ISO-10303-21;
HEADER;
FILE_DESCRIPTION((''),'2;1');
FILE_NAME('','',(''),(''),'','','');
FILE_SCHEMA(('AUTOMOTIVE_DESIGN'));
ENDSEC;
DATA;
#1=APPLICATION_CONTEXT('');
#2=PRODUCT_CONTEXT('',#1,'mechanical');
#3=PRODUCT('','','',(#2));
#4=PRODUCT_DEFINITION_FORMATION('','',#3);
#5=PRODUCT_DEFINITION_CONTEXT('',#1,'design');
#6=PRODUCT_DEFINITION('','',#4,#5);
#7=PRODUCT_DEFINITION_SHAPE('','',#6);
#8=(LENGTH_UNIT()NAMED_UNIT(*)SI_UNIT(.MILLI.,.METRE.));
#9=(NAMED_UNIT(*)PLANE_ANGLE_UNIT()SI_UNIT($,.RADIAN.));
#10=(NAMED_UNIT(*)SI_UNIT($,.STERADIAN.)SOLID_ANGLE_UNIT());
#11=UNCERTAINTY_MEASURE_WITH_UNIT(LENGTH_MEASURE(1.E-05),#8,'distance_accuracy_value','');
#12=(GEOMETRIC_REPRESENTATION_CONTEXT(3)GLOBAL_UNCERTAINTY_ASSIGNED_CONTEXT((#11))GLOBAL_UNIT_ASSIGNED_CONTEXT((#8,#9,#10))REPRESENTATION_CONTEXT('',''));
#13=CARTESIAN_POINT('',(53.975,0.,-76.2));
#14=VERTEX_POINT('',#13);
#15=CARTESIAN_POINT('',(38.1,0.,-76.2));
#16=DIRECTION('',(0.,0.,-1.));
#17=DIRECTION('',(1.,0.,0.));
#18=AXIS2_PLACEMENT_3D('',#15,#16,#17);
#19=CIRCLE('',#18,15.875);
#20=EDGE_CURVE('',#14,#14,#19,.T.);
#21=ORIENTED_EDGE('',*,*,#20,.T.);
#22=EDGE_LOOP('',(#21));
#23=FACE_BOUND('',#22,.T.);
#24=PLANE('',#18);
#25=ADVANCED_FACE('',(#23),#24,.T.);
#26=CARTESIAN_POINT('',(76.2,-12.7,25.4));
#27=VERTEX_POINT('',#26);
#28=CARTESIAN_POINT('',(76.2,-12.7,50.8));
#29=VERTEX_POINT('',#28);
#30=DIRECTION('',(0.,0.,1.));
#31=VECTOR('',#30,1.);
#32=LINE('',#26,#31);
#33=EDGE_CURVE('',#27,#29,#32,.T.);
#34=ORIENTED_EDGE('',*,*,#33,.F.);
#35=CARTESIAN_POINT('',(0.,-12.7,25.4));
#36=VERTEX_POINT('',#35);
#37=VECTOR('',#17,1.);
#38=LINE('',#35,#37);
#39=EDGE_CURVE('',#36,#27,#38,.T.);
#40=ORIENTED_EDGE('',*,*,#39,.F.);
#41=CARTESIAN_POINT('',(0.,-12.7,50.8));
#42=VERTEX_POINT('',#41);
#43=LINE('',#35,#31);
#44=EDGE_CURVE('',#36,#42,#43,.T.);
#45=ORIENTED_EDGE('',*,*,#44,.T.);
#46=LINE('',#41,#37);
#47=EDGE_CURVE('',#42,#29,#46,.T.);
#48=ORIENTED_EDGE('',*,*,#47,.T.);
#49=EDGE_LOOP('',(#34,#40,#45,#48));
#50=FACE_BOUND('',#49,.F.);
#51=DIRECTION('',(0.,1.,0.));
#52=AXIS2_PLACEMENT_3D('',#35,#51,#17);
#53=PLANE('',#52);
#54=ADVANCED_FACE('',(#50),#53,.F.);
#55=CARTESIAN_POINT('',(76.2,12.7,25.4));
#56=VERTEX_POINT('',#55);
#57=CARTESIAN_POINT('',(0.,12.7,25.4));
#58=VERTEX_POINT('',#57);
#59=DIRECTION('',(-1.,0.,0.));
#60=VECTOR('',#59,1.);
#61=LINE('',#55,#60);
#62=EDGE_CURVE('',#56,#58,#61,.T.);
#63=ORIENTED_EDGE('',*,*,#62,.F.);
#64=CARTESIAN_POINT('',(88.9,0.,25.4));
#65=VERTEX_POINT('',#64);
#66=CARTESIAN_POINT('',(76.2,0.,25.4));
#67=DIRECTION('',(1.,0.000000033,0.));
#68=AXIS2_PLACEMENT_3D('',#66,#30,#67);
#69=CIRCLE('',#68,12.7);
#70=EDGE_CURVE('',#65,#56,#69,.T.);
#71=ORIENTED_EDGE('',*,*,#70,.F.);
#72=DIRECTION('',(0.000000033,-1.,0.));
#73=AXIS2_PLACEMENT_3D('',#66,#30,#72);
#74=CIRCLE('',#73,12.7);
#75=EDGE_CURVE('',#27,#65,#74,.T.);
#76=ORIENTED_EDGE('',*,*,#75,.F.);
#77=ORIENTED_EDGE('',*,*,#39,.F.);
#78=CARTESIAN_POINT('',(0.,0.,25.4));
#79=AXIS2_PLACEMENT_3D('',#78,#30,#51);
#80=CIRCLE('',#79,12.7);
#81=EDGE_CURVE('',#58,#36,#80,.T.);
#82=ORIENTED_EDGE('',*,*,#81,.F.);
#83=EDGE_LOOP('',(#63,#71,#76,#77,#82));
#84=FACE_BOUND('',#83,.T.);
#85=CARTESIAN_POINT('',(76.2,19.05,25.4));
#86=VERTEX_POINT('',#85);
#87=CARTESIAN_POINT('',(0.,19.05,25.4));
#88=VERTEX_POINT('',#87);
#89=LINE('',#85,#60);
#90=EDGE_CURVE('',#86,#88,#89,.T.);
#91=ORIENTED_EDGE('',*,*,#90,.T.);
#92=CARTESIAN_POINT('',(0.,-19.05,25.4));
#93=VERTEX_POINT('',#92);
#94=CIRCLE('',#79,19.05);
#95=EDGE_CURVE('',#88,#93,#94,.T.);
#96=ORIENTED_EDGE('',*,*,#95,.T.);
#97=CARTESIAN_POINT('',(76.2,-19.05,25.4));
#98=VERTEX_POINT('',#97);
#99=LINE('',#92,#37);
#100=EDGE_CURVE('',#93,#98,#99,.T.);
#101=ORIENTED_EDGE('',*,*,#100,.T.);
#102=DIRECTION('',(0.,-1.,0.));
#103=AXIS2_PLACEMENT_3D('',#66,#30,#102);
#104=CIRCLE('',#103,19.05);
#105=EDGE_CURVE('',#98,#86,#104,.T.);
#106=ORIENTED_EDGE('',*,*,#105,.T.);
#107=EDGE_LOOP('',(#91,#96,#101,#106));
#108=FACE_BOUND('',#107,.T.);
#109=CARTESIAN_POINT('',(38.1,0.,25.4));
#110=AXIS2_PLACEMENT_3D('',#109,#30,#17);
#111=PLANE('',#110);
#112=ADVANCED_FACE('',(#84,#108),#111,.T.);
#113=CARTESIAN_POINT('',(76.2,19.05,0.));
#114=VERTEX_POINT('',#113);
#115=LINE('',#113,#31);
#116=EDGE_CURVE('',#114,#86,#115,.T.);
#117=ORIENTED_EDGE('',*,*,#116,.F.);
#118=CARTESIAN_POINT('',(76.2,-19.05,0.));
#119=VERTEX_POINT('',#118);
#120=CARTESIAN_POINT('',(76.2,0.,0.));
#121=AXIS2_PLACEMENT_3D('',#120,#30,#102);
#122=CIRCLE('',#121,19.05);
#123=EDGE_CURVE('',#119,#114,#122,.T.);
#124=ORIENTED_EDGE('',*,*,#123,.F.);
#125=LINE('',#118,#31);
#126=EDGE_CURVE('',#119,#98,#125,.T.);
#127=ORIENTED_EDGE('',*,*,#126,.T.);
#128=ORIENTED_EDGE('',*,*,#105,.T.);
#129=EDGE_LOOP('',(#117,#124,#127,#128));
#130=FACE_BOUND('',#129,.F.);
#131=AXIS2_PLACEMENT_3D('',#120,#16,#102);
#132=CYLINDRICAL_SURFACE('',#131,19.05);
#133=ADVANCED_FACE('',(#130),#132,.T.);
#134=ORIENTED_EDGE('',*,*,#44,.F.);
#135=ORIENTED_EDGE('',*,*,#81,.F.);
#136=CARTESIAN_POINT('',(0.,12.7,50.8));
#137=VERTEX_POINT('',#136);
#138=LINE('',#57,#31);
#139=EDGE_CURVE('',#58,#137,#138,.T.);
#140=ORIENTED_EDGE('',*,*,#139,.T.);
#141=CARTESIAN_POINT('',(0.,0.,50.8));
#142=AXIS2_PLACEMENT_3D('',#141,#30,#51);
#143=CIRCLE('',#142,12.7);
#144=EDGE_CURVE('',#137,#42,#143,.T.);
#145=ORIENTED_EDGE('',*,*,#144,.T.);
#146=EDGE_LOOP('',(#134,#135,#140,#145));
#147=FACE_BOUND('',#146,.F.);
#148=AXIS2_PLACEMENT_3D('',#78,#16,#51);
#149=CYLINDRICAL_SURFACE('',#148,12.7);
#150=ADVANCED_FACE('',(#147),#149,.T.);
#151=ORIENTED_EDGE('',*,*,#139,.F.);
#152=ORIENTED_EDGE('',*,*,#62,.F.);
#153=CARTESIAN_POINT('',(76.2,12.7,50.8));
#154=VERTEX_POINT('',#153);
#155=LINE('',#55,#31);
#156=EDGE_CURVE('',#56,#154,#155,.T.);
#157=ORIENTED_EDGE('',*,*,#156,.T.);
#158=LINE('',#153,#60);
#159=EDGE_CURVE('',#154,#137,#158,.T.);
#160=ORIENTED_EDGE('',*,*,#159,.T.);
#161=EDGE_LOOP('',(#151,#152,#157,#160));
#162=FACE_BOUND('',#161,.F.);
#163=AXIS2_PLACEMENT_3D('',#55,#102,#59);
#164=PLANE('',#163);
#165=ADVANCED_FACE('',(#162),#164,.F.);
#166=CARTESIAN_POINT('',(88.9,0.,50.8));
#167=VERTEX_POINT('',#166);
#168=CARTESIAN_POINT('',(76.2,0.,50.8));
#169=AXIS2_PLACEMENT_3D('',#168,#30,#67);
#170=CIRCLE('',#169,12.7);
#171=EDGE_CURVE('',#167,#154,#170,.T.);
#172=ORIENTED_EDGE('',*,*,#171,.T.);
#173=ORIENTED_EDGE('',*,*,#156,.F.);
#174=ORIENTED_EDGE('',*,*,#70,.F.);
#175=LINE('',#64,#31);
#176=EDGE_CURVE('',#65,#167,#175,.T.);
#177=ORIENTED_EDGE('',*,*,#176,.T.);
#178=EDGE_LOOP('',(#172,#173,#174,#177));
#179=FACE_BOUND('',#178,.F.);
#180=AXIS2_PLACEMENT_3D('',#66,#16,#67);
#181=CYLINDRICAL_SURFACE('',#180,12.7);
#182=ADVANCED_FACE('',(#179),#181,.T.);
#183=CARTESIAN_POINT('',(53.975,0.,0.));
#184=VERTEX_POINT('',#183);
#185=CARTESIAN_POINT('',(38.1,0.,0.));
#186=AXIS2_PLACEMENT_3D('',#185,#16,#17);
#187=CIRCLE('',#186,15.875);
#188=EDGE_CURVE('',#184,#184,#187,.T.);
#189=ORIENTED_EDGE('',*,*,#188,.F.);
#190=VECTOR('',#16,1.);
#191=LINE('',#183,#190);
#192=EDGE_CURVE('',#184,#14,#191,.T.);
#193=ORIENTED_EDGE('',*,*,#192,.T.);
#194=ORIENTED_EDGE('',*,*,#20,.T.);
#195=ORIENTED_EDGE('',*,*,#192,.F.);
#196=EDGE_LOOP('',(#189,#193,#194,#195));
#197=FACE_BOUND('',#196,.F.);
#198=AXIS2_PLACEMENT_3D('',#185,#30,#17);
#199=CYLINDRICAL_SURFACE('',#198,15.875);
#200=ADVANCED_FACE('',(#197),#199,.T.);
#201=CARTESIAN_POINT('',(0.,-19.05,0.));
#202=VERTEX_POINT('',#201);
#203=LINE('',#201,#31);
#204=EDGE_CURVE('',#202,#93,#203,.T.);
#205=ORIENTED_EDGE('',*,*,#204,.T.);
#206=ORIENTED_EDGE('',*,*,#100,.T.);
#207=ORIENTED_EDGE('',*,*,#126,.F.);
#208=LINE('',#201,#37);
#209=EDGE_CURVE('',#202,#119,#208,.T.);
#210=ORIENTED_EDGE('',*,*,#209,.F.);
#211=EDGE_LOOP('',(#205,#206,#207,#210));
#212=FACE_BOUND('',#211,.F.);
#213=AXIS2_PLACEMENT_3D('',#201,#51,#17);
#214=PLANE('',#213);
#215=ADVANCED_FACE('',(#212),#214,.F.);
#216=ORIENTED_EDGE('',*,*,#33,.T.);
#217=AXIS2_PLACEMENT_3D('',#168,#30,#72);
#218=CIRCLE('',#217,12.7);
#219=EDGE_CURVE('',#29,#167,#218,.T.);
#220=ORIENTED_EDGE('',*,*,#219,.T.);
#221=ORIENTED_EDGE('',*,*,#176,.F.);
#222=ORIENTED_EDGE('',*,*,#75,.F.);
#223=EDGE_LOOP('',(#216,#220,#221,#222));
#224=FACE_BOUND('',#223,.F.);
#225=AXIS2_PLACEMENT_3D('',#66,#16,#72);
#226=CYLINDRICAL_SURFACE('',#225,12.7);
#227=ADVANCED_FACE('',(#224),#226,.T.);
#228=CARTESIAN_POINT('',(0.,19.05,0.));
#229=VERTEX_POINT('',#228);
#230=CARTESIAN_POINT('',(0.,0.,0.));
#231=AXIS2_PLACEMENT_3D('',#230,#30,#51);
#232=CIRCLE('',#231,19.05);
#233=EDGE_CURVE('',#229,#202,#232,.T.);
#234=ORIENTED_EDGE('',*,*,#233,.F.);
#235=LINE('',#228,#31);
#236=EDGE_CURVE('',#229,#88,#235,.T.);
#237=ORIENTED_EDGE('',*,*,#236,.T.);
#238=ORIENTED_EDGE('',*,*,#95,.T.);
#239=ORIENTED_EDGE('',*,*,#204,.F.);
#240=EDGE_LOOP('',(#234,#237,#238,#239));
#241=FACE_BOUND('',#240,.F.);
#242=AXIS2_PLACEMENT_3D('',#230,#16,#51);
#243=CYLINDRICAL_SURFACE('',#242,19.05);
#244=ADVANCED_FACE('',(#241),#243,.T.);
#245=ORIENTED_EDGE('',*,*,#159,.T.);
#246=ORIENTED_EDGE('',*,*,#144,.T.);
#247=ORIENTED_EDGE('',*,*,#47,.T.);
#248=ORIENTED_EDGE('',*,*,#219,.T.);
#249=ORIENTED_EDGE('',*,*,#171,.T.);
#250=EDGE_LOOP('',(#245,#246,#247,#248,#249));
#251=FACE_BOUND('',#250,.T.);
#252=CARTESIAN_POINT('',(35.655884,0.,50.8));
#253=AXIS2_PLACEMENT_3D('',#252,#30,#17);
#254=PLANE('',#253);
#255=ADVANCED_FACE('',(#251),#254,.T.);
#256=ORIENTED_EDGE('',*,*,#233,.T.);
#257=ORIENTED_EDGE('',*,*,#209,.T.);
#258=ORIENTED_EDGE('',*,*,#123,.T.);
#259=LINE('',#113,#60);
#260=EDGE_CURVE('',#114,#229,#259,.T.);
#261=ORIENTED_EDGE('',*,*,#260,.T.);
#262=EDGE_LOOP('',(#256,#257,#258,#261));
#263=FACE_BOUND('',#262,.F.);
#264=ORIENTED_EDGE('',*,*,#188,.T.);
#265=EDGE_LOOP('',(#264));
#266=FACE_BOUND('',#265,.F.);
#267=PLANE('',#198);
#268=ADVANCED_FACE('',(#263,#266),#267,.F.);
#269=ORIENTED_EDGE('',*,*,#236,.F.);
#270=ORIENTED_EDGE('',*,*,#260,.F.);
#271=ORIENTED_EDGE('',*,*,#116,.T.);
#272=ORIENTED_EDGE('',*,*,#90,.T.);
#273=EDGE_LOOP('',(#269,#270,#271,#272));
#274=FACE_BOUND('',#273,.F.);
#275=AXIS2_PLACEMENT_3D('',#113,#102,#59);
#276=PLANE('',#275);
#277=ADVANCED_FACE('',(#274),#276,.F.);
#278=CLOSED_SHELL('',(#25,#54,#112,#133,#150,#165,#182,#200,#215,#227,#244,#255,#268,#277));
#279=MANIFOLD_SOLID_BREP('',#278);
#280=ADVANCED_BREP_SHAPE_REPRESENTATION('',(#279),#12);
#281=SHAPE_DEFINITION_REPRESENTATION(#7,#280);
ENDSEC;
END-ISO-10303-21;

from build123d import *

# Parameters (mm, degrees)
F1_DEPTH = 25.4
F3_DEPTH = 25.4
F4_R     = 15.875
F5_DEPTH = 76.2


with BuildPart() as f1:
    # F0 (on Top) → F1 (new body)
    with BuildSketch(Plane.XY):
        with BuildLine():
            Line((76.2, 19.05), (0, 19.05))
            ThreePointArc((0, 19.05), (-19.05, 0), (0, -19.05))
            Line((0, -19.05), (76.2, -19.05))
            ThreePointArc((76.2, -19.05), (95.25, 0), (76.2, 19.05))
        make_face()
    extrude(amount=F1_DEPTH)

    # F2 (on face) → F3 (join)
    with BuildSketch(Plane.XY.offset(25.4)):
        with BuildLine():
            Line((76.2, 12.7), (0, 12.7))
            ThreePointArc((0, 12.7), (-12.7, 0), (0, -12.7))
            Line((0, -12.7), (76.2, -12.7))
            ThreePointArc((76.2, -12.7), (63.5, 0), (76.2, 12.7))
        make_face()
        with BuildLine():
            ThreePointArc((88.9, 0), (85.180256, 8.980256), (76.2, 12.7))
            ThreePointArc((76.2, 12.7), (63.5, 0), (76.2, -12.7))
            ThreePointArc((76.2, -12.7), (85.180256, -8.980256), (88.9, 0))
        make_face()
    extrude(amount=F3_DEPTH)

    # F4 (on face) → F5 (join)
    with BuildSketch(Plane(origin=(0, 0, 0), x_dir=(1, 0, 0), z_dir=(0, 0, -1))):
        with Locations((38.1, 0)):
            Circle(F4_R)
    extrude(amount=F5_DEPTH)


solid = f1.part
